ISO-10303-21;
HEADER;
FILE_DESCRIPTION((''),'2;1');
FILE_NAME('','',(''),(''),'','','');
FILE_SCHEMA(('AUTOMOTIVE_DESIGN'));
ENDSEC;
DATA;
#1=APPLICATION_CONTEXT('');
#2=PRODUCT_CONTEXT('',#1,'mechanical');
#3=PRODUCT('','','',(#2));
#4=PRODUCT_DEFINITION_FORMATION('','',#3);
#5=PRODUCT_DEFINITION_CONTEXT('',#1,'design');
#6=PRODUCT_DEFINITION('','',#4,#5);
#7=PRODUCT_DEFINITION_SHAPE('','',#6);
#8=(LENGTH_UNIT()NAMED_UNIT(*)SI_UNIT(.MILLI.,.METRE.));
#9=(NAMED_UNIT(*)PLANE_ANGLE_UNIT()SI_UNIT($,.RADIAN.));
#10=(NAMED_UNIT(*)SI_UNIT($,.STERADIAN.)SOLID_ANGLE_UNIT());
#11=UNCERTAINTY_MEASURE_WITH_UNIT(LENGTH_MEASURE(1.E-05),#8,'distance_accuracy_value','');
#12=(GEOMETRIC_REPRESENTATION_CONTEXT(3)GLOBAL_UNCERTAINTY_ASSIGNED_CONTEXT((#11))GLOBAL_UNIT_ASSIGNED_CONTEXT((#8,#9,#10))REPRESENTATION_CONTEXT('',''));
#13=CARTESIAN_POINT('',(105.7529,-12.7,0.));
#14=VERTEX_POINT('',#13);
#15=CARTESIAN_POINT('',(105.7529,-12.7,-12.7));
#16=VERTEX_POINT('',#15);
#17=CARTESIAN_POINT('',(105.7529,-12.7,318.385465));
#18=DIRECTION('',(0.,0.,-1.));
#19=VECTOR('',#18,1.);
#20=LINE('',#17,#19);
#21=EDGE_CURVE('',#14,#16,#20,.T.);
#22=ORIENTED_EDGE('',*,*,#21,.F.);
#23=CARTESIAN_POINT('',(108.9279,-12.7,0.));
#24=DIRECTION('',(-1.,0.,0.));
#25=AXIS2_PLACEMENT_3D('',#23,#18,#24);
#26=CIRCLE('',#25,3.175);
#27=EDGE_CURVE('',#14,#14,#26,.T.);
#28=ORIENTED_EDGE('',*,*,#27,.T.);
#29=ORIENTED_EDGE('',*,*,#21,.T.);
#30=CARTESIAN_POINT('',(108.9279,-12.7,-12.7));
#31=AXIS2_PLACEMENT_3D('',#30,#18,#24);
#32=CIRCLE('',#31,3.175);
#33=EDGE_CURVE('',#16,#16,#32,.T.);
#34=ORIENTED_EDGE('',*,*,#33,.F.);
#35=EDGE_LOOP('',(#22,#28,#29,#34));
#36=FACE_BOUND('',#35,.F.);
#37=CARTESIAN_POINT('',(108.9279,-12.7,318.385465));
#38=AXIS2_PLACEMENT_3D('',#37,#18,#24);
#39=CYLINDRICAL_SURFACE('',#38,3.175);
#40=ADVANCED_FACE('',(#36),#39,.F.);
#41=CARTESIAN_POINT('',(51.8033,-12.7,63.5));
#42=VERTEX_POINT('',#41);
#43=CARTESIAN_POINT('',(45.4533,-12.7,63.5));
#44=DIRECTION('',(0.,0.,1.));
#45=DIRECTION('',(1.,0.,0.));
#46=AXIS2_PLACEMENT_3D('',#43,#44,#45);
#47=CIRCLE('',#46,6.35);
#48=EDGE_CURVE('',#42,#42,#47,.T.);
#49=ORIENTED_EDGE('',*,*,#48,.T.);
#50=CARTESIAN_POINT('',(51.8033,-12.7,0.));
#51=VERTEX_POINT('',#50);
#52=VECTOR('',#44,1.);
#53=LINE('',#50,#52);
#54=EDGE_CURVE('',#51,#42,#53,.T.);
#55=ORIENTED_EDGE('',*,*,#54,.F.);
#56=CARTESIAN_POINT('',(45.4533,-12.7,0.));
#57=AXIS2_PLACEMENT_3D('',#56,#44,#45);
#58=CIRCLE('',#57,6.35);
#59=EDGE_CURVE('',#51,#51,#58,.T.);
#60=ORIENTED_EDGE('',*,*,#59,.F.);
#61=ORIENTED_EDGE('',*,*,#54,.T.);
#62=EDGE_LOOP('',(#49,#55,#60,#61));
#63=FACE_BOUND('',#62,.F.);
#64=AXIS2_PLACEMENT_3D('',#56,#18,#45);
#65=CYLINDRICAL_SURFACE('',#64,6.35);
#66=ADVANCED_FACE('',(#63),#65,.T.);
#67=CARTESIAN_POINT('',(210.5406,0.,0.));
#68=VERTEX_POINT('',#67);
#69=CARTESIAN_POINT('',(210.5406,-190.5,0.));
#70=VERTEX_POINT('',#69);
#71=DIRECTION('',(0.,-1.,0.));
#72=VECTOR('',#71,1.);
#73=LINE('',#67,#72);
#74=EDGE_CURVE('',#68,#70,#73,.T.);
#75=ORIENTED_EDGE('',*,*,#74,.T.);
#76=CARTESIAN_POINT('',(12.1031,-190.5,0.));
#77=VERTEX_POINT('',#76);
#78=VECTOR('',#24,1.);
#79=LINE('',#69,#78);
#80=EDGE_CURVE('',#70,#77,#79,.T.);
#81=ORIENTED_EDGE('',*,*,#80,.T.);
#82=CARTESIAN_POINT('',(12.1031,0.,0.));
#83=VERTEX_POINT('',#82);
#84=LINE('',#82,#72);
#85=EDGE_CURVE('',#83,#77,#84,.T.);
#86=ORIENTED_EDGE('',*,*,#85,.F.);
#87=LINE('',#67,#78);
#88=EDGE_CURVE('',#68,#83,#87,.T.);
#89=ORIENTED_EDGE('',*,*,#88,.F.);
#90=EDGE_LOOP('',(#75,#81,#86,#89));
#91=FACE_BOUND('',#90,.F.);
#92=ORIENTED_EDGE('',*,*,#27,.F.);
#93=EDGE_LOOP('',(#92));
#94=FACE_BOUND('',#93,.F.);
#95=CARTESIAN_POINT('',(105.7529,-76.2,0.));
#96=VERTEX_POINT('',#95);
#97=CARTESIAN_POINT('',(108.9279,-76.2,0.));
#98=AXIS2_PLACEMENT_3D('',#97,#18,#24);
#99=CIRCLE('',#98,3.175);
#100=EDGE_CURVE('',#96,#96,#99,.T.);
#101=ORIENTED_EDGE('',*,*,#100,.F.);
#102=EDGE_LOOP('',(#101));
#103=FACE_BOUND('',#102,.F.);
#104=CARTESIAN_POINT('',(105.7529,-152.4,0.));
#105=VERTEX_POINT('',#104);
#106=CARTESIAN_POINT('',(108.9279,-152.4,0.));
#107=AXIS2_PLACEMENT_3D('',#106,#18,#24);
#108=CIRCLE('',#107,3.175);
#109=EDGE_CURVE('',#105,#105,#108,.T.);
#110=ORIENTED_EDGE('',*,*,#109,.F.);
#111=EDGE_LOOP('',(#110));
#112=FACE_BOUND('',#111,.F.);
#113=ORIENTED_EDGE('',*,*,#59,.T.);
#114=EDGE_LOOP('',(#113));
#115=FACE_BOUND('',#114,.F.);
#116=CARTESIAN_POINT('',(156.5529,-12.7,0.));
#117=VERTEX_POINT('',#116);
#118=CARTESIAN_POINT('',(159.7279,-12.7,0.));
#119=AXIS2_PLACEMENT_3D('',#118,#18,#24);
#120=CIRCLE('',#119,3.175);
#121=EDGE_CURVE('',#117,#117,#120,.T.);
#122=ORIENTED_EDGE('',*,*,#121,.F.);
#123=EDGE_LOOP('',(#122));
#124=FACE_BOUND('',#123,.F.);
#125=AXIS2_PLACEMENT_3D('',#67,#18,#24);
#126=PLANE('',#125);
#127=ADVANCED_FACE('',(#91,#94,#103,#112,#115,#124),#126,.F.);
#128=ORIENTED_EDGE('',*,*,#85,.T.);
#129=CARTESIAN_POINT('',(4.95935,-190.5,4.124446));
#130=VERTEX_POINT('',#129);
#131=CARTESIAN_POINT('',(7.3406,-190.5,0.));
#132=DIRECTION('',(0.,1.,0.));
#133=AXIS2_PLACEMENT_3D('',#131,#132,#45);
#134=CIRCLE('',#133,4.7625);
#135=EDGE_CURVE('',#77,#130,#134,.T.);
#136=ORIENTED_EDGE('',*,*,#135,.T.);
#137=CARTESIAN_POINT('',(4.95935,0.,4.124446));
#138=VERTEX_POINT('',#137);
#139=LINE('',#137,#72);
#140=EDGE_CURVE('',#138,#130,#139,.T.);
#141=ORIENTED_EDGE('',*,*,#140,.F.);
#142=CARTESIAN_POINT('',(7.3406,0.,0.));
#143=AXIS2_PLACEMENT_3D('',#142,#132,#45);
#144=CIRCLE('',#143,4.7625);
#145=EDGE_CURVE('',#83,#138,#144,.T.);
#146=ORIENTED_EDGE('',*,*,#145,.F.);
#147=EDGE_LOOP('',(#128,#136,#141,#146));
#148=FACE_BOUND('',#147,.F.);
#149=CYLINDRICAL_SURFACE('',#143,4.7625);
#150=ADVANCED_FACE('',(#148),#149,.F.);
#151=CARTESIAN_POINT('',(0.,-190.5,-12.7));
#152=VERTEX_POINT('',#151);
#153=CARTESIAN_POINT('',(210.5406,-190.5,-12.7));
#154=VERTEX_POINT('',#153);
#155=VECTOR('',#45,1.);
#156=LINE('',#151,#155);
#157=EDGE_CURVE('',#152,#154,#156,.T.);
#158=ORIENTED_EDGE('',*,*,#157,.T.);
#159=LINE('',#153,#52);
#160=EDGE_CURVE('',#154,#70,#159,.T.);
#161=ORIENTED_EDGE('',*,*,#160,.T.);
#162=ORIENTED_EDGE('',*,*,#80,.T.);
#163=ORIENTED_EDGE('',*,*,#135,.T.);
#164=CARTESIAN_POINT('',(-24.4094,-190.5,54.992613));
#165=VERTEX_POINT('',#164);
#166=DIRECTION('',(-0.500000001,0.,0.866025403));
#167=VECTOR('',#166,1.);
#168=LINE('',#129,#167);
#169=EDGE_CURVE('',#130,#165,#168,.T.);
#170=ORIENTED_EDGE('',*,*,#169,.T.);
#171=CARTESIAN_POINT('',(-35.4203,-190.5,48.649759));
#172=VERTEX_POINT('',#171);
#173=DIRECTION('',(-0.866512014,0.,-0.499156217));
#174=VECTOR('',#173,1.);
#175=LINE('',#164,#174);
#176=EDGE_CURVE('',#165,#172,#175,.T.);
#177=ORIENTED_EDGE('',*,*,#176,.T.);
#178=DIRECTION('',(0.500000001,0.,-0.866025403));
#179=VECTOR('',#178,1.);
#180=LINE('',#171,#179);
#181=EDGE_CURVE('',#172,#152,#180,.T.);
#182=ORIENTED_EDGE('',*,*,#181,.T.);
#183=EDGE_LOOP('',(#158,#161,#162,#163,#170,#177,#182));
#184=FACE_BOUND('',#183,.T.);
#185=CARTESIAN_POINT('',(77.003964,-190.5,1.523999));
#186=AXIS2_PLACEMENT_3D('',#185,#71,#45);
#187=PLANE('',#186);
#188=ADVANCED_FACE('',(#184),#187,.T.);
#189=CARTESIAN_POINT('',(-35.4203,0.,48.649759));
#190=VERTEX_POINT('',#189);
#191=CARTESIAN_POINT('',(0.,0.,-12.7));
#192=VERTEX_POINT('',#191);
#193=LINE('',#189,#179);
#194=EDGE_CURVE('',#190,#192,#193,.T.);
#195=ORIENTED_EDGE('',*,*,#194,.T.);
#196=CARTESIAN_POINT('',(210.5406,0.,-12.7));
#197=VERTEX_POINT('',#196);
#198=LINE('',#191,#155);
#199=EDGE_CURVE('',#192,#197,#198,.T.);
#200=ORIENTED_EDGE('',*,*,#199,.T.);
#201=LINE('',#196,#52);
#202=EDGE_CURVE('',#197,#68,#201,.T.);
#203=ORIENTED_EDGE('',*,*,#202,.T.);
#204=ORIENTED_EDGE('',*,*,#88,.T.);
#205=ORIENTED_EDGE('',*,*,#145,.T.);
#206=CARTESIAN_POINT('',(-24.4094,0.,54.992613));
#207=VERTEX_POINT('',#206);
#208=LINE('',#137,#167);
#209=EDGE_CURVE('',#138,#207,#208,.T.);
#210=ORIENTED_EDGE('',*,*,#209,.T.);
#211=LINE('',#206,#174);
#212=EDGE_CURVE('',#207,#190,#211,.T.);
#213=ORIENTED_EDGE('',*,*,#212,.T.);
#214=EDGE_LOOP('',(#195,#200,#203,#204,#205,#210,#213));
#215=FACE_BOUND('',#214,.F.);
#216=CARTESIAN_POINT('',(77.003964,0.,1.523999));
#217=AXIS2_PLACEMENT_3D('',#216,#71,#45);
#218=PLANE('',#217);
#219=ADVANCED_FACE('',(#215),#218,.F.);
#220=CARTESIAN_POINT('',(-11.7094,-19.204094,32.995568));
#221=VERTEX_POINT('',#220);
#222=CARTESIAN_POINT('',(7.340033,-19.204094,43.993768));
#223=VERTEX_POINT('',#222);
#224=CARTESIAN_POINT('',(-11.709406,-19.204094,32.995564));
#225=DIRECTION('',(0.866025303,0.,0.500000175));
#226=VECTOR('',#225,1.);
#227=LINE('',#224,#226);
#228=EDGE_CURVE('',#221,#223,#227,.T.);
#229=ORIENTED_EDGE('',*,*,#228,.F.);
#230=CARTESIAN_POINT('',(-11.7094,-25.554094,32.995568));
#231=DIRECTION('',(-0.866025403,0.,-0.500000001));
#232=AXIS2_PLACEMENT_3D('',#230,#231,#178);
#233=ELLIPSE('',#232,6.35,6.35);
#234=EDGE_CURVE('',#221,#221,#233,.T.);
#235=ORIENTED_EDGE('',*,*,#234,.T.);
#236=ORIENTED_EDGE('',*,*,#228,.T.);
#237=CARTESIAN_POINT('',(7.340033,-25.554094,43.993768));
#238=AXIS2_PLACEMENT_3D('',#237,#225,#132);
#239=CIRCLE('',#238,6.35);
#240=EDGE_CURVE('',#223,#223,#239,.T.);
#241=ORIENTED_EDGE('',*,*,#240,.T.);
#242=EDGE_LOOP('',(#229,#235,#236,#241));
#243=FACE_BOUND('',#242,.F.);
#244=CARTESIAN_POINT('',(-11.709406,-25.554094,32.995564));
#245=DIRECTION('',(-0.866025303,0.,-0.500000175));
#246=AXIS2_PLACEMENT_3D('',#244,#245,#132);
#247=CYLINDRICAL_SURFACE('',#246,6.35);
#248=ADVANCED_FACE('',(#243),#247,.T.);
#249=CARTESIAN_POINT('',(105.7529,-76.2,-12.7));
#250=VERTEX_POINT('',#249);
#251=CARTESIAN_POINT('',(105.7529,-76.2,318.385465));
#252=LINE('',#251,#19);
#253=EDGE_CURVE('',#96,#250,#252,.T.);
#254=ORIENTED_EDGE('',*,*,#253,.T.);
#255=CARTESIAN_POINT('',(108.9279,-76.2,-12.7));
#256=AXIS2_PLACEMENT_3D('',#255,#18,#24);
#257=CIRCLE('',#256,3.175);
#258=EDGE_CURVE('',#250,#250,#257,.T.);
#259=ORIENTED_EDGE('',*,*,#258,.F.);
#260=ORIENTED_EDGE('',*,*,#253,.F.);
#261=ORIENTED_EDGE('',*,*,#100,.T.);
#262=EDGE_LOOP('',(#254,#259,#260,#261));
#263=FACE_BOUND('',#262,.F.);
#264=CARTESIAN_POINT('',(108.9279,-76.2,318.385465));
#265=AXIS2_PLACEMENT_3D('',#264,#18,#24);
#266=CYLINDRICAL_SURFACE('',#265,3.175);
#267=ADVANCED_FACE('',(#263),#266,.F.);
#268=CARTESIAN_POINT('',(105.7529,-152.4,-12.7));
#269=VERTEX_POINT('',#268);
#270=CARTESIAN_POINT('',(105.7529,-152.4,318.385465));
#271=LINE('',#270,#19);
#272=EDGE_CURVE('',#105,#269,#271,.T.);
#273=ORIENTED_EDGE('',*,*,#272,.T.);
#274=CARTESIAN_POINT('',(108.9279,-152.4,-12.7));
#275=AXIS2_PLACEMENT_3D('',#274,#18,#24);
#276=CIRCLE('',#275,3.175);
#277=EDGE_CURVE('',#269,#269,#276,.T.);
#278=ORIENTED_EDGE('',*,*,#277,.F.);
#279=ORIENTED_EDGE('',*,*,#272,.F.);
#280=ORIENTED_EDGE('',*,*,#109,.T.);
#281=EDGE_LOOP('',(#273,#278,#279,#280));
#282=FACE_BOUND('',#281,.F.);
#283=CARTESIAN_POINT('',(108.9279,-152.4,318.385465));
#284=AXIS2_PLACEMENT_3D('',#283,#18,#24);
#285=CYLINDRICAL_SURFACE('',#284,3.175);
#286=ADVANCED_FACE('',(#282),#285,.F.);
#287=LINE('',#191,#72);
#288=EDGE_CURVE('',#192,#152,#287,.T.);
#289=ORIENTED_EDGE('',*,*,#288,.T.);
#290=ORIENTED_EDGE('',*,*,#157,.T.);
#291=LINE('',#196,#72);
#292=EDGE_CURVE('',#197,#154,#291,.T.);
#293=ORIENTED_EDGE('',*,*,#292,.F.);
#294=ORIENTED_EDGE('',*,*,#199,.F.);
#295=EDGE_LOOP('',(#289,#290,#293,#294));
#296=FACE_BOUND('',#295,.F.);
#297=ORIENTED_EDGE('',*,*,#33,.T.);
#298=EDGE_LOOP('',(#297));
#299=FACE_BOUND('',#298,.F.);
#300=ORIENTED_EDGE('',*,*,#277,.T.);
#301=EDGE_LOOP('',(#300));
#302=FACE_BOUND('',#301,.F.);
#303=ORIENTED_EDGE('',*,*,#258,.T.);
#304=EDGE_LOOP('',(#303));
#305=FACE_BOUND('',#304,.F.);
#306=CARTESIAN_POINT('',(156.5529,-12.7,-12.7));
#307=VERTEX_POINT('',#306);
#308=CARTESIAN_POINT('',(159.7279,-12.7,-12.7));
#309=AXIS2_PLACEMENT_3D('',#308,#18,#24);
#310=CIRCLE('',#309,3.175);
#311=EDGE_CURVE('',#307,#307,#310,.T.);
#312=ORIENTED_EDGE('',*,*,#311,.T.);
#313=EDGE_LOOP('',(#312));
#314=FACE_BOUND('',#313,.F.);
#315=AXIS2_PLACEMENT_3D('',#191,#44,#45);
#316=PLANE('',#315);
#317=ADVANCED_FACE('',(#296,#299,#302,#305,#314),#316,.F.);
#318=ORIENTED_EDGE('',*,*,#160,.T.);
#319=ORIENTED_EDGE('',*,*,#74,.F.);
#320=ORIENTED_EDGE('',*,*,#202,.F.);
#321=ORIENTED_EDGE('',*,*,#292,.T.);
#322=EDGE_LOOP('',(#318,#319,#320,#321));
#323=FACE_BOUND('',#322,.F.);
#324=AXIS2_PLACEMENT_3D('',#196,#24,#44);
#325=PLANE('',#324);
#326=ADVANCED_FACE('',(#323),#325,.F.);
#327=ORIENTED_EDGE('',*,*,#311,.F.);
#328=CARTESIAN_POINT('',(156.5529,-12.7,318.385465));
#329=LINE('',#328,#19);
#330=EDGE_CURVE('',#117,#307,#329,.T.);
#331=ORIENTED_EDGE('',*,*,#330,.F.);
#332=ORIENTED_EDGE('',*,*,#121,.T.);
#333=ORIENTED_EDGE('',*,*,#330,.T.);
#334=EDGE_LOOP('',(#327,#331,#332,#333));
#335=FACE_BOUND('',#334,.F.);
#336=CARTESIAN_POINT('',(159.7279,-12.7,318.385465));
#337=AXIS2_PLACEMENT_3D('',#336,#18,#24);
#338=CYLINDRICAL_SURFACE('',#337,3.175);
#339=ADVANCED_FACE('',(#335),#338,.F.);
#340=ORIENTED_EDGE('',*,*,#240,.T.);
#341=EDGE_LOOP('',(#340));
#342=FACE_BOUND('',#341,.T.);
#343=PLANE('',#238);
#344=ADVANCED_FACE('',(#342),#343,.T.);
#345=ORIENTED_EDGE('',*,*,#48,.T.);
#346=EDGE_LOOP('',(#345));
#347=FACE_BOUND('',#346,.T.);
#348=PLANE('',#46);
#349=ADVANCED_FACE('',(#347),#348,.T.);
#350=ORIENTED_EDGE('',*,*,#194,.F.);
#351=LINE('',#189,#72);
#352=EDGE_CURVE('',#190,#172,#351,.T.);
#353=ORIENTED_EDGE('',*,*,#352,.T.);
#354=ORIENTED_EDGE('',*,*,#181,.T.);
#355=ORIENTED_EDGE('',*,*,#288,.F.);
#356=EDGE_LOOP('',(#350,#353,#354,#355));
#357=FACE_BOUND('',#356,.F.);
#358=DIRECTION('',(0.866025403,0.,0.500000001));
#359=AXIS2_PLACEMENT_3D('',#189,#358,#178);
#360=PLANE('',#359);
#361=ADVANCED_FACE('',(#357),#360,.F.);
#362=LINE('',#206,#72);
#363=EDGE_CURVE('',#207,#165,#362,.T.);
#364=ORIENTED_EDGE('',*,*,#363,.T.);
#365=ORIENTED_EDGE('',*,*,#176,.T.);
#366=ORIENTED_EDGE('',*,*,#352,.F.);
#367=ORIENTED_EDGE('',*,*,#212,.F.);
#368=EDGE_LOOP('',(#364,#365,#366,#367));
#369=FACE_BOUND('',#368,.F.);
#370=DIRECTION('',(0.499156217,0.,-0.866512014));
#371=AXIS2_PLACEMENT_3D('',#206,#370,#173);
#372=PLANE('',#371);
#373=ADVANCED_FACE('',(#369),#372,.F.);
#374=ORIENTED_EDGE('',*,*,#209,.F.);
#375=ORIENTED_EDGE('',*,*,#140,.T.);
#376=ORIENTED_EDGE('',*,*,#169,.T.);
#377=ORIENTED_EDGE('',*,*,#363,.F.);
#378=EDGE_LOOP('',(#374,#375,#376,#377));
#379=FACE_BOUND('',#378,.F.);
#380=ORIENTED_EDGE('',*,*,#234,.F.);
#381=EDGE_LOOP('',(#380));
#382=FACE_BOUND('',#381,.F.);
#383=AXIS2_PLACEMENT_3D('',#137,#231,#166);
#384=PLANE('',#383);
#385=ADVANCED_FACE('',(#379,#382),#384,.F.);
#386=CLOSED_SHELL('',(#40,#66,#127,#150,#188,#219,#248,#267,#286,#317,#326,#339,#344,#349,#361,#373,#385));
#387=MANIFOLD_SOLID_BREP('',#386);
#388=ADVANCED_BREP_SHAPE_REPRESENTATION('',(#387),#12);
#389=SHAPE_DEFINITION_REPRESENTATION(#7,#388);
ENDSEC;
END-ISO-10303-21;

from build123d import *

# Parameters (mm, degrees)
F1_DEPTH = 190.5
F2_R     = 6.35
F3_DEPTH = 21.9964
F6_D     = 6.35
F7_R     = 6.35
F8_DEPTH = 63.5


with BuildPart() as f1:
    # F0 (on Front) → F1 (new body)
    with BuildSketch(Plane.XZ):
        with BuildLine():
            Line((210.5406, 0), (12.1031, 0))
            ThreePointArc((12.1031, 0), (4.95935, -4.124446), (4.95935, 4.124446))
            Line((4.95935, 4.124446), (-24.4094, 54.992613))
            Line((-24.4094, 54.992613), (-35.4203, 48.649759))
            Line((-35.4203, 48.649759), (0, -12.7))
            Line((0, -12.7), (210.5406, -12.7))
            Line((210.5406, -12.7), (210.5406, 0))
        make_face()
    extrude(amount=F1_DEPTH)

    # F2 (on face) → F3 (join)
    with BuildSketch(Plane(origin=(5.50545, 0, 3.178573), x_dir=(0, 1, 0), z_dir=(0.866025, 0, 0.5))):
        with Locations((-25.554094, 34.4297)):
            Circle(F2_R)
    extrude(amount=F3_DEPTH)

    # F6 (through all)
    with Locations(Plane.XY):
        with Locations((108.9279, -12.7), (159.7279, -12.7), (108.9279, -76.2), (108.9279, -152.4)):
            Hole(F6_D / 2)

    # F7 (on face) → F8 (join)
    with BuildSketch(Plane.XY):
        with Locations((45.4533, -12.7)):
            Circle(F7_R)
    extrude(amount=F8_DEPTH)


solid = f1.part
